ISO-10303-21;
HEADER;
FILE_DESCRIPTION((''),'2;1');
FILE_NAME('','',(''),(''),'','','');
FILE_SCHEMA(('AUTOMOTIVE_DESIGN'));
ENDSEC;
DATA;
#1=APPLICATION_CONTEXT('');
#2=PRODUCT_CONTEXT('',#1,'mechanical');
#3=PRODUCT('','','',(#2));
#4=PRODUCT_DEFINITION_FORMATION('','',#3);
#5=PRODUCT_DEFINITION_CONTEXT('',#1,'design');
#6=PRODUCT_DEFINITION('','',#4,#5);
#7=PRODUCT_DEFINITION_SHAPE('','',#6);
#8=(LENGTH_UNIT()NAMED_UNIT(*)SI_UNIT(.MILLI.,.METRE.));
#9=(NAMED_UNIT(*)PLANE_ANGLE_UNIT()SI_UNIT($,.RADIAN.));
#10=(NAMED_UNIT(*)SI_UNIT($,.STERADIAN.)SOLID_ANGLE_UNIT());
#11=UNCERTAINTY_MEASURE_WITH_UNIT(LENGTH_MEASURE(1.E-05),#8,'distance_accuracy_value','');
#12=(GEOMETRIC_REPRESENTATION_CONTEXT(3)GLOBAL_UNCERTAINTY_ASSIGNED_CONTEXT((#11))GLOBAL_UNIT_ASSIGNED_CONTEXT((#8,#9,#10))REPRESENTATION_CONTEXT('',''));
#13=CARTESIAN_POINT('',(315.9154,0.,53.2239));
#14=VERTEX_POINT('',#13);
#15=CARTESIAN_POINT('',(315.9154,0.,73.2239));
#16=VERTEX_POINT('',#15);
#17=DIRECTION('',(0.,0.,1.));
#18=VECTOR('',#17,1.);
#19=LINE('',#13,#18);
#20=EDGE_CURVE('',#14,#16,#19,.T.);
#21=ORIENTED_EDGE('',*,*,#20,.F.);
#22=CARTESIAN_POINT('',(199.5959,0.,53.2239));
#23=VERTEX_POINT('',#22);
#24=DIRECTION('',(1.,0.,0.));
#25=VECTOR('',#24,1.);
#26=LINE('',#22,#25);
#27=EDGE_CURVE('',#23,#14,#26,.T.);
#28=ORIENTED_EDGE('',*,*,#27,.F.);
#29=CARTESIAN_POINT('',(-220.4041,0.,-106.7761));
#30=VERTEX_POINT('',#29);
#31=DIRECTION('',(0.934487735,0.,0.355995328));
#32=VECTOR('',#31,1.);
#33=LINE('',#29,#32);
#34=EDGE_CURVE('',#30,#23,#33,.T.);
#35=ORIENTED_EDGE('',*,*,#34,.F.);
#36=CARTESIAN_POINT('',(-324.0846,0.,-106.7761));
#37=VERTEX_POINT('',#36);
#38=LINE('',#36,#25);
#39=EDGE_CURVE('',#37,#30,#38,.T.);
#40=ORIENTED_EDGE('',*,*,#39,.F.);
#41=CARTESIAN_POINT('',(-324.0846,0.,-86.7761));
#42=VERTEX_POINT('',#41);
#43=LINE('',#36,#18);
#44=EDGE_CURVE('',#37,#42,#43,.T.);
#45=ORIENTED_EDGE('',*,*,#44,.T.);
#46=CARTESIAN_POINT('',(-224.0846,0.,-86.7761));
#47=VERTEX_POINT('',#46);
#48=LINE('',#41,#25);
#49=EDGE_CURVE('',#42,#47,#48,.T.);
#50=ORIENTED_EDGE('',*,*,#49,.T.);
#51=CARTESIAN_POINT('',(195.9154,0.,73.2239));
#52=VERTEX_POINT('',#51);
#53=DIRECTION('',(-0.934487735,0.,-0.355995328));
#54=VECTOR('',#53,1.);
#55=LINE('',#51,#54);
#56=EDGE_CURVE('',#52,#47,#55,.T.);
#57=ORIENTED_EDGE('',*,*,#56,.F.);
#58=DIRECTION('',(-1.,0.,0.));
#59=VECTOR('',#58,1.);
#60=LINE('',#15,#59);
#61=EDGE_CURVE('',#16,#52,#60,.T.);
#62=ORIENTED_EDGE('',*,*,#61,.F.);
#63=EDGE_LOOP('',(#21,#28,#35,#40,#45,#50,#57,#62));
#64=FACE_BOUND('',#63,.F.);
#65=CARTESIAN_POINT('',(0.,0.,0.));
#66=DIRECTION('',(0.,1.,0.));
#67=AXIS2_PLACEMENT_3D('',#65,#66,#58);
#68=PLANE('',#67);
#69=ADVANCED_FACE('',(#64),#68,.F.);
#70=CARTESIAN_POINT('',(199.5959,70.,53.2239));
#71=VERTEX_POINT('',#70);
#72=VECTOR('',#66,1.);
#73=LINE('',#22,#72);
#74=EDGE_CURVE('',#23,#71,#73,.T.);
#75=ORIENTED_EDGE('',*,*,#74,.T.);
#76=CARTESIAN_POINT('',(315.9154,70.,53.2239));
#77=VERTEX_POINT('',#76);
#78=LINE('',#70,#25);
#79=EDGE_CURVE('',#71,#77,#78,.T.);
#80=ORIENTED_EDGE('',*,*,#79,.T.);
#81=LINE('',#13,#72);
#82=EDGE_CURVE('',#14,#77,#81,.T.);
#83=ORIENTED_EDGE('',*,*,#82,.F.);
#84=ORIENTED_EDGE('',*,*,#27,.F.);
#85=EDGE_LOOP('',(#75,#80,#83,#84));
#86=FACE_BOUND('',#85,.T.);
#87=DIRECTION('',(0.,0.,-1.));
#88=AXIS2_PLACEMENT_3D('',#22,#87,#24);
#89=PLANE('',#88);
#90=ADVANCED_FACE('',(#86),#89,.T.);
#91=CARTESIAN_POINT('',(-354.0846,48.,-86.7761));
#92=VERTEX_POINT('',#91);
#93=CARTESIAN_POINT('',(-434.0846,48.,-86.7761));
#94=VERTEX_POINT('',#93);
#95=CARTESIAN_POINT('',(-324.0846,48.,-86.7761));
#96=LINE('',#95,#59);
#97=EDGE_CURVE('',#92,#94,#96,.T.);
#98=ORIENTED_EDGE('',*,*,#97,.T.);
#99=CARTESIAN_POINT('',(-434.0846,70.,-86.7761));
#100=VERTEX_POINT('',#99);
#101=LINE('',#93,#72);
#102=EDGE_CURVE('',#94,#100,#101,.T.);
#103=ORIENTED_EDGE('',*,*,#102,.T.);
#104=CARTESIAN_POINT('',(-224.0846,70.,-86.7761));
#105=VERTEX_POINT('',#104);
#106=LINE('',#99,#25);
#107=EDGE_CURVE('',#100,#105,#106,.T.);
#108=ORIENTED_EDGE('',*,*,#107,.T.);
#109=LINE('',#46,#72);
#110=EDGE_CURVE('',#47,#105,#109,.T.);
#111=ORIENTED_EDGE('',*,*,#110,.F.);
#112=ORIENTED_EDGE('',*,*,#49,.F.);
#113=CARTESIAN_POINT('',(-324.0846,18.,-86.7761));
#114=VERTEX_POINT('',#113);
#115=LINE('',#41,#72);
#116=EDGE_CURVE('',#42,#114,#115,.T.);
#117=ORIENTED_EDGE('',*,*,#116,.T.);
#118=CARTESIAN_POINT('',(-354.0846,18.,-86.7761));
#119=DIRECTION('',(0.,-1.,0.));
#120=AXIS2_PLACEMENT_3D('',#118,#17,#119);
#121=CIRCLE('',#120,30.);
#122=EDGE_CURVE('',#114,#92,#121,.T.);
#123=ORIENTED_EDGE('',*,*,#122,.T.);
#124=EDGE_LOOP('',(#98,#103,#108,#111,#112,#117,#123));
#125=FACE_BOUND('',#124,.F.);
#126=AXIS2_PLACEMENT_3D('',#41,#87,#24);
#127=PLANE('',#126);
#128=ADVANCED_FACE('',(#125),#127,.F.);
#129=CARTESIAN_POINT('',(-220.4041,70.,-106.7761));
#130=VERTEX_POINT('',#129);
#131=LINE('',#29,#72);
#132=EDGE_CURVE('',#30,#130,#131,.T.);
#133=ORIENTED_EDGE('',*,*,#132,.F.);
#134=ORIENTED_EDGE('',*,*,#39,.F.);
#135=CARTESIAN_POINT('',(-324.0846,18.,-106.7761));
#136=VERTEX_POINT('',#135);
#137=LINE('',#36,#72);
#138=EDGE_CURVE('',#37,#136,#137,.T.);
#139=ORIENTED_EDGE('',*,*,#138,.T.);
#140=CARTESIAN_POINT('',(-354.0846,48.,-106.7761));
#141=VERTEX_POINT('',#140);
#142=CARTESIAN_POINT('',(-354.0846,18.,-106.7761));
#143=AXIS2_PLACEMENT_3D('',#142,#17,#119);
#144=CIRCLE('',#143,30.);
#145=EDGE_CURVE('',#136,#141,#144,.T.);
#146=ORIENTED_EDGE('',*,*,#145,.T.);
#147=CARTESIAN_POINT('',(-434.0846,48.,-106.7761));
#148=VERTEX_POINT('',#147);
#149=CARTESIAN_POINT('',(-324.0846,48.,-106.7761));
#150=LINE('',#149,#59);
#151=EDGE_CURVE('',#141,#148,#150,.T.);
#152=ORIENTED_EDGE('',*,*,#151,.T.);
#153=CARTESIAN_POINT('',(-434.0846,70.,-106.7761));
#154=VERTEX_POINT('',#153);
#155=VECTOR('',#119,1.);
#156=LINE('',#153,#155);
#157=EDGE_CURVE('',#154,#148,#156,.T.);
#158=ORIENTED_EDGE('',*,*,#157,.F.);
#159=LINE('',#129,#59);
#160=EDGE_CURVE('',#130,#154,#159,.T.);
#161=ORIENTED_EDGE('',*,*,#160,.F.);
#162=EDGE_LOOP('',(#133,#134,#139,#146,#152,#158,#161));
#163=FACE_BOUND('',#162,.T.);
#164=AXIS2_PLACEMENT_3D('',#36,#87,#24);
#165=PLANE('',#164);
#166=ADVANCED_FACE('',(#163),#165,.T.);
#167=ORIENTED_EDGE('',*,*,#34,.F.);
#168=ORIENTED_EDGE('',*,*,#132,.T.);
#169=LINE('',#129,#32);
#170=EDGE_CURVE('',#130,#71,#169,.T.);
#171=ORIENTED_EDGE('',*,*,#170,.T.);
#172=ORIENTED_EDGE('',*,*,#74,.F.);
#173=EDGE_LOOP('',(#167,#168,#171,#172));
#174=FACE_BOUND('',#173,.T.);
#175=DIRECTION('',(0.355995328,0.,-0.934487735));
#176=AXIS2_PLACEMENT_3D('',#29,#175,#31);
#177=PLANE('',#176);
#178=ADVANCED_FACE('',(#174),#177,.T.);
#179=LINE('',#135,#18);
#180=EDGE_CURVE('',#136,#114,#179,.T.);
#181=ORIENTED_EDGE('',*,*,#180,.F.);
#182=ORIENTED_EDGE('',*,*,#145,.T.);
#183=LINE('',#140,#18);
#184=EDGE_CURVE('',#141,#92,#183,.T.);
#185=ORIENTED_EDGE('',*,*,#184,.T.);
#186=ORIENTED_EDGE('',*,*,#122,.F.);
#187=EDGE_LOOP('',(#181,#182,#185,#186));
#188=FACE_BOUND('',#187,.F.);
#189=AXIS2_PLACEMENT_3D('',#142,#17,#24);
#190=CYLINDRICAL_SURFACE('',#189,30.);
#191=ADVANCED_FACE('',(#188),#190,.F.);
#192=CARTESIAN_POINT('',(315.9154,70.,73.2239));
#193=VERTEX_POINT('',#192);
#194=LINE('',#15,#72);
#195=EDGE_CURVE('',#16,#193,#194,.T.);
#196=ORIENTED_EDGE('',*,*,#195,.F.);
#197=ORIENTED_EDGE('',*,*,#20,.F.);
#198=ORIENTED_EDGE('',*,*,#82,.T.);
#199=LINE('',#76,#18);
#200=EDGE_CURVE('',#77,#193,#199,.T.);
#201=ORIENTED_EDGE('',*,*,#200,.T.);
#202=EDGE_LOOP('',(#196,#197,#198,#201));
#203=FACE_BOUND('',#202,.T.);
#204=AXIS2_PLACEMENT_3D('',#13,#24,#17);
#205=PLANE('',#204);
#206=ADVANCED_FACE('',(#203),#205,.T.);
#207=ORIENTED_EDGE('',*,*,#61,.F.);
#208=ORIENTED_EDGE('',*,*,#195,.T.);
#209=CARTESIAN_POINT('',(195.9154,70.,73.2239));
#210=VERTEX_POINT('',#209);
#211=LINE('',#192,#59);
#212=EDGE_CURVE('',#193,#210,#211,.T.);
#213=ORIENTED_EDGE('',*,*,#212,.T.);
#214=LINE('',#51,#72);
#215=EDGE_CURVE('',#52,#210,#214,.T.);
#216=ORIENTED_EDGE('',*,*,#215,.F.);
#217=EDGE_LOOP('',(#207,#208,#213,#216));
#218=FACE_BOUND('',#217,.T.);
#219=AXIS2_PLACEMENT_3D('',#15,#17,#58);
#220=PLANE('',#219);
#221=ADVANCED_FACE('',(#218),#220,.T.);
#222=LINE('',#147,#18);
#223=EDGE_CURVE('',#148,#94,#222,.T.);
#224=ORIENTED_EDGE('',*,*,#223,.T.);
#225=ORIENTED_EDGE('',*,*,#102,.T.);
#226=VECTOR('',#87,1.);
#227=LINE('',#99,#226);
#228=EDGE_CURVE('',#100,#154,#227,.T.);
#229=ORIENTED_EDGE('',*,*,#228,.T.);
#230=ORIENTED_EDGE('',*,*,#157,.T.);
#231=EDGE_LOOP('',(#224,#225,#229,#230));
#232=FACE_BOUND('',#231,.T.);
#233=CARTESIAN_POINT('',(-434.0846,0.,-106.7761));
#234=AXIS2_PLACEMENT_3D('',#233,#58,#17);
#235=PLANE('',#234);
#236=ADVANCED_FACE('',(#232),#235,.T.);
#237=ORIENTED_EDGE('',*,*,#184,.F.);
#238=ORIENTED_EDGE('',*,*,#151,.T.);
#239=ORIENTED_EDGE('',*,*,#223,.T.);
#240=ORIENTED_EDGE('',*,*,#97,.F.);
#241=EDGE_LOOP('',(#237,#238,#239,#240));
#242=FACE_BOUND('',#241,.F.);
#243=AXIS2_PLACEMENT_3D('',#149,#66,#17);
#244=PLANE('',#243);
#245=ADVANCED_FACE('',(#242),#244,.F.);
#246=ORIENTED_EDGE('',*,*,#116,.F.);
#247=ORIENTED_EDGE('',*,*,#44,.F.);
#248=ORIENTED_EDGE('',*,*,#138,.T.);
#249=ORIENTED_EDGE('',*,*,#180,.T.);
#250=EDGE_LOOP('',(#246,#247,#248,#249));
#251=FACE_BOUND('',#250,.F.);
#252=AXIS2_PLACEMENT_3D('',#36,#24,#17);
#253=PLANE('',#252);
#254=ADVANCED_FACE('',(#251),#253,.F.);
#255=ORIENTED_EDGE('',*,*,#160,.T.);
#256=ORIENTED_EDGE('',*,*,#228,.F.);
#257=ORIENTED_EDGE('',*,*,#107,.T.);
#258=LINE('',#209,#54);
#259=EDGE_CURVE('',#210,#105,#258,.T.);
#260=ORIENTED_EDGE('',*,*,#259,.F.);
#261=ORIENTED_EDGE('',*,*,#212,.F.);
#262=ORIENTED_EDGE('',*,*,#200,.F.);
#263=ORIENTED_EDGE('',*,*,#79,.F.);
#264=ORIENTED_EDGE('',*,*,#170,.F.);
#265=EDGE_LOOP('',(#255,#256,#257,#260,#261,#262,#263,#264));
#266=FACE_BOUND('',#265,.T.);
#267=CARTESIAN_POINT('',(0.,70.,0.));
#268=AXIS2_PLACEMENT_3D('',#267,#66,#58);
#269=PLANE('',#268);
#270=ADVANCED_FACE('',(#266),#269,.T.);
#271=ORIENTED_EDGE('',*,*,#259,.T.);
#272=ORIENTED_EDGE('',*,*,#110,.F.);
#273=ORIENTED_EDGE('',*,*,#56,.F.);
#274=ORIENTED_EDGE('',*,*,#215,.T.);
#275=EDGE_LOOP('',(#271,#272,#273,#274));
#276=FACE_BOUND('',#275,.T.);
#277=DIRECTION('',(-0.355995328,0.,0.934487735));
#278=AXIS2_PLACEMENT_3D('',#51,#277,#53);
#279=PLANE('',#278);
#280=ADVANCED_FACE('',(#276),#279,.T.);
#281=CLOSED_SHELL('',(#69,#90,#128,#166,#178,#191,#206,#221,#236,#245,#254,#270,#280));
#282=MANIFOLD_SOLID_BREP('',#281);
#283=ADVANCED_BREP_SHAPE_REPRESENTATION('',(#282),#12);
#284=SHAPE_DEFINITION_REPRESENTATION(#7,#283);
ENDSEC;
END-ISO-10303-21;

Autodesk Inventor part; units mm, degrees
ref_plane "YZ Plane" through (0, 0, 0) normal (1, 0, 0) x (0, 1, 0)
ref_plane "XZ Plane" through (0, 0, 0) normal (0, 1, 0) x (-1, 0, 0)
ref_plane "XY Plane" through (0, 0, 0) normal (0, 0, 1) x (1, 0, 0)
sketch "Sketch1" plane through (0, 0, 0) normal (0, 1, 0) x (-1, 0, 0)
  line L0 (-315.9154, 73.2239) -> (-195.9154, 73.2239)
  line L1 (-195.9154, 73.2239) -> (224.0846, -86.7761)
  line L2 (324.0846, -86.7761) -> (224.0846, -86.7761)
  line L3 (324.0846, -106.7761) -> (220.4041, -106.7761)
  line L4 (220.4041, -106.7761) -> (-199.5959, 53.2239)
  line L5 (-199.5959, 53.2239) -> (-315.9154, 53.2239)
  line L6 (324.0846, -106.7761) -> (324.0846, -86.7761)
  line L7 (-315.9154, 53.2239) -> (-315.9154, 73.2239)
  point P0 (0, 0)
  dimension "d2" = 100
  dimension "d3" = 449.4441
  dimension "d4" = 120
  dimension "d5" = 159.146
  dimension "d6" = 159.146
  dimension "d7" = 20
extrude "Extrusion1" add sketch "Sketch1" along normal blind 70
sketch "Sketch2" plane through (-324.0846, 0, -106.7761) normal (-1, 0, 0) x (0, 0, 1)
  line L0 (0, 48) -> (20, 48)
  line L1 (20, 48) -> (20, 70)
  line L2 (20, 70) -> (0, 70)
  line L3 (0, 70) -> (0, 48)
  point P0 (106.7761, 0)
extrude "Extrusion2" add sketch "Sketch2" along normal blind 110
fillet "Fillet1" radius 30 1 edges at (-324.0846, 48, -96.7761)
properties part number "Y_zigZag" material "Aluminum 6061"
